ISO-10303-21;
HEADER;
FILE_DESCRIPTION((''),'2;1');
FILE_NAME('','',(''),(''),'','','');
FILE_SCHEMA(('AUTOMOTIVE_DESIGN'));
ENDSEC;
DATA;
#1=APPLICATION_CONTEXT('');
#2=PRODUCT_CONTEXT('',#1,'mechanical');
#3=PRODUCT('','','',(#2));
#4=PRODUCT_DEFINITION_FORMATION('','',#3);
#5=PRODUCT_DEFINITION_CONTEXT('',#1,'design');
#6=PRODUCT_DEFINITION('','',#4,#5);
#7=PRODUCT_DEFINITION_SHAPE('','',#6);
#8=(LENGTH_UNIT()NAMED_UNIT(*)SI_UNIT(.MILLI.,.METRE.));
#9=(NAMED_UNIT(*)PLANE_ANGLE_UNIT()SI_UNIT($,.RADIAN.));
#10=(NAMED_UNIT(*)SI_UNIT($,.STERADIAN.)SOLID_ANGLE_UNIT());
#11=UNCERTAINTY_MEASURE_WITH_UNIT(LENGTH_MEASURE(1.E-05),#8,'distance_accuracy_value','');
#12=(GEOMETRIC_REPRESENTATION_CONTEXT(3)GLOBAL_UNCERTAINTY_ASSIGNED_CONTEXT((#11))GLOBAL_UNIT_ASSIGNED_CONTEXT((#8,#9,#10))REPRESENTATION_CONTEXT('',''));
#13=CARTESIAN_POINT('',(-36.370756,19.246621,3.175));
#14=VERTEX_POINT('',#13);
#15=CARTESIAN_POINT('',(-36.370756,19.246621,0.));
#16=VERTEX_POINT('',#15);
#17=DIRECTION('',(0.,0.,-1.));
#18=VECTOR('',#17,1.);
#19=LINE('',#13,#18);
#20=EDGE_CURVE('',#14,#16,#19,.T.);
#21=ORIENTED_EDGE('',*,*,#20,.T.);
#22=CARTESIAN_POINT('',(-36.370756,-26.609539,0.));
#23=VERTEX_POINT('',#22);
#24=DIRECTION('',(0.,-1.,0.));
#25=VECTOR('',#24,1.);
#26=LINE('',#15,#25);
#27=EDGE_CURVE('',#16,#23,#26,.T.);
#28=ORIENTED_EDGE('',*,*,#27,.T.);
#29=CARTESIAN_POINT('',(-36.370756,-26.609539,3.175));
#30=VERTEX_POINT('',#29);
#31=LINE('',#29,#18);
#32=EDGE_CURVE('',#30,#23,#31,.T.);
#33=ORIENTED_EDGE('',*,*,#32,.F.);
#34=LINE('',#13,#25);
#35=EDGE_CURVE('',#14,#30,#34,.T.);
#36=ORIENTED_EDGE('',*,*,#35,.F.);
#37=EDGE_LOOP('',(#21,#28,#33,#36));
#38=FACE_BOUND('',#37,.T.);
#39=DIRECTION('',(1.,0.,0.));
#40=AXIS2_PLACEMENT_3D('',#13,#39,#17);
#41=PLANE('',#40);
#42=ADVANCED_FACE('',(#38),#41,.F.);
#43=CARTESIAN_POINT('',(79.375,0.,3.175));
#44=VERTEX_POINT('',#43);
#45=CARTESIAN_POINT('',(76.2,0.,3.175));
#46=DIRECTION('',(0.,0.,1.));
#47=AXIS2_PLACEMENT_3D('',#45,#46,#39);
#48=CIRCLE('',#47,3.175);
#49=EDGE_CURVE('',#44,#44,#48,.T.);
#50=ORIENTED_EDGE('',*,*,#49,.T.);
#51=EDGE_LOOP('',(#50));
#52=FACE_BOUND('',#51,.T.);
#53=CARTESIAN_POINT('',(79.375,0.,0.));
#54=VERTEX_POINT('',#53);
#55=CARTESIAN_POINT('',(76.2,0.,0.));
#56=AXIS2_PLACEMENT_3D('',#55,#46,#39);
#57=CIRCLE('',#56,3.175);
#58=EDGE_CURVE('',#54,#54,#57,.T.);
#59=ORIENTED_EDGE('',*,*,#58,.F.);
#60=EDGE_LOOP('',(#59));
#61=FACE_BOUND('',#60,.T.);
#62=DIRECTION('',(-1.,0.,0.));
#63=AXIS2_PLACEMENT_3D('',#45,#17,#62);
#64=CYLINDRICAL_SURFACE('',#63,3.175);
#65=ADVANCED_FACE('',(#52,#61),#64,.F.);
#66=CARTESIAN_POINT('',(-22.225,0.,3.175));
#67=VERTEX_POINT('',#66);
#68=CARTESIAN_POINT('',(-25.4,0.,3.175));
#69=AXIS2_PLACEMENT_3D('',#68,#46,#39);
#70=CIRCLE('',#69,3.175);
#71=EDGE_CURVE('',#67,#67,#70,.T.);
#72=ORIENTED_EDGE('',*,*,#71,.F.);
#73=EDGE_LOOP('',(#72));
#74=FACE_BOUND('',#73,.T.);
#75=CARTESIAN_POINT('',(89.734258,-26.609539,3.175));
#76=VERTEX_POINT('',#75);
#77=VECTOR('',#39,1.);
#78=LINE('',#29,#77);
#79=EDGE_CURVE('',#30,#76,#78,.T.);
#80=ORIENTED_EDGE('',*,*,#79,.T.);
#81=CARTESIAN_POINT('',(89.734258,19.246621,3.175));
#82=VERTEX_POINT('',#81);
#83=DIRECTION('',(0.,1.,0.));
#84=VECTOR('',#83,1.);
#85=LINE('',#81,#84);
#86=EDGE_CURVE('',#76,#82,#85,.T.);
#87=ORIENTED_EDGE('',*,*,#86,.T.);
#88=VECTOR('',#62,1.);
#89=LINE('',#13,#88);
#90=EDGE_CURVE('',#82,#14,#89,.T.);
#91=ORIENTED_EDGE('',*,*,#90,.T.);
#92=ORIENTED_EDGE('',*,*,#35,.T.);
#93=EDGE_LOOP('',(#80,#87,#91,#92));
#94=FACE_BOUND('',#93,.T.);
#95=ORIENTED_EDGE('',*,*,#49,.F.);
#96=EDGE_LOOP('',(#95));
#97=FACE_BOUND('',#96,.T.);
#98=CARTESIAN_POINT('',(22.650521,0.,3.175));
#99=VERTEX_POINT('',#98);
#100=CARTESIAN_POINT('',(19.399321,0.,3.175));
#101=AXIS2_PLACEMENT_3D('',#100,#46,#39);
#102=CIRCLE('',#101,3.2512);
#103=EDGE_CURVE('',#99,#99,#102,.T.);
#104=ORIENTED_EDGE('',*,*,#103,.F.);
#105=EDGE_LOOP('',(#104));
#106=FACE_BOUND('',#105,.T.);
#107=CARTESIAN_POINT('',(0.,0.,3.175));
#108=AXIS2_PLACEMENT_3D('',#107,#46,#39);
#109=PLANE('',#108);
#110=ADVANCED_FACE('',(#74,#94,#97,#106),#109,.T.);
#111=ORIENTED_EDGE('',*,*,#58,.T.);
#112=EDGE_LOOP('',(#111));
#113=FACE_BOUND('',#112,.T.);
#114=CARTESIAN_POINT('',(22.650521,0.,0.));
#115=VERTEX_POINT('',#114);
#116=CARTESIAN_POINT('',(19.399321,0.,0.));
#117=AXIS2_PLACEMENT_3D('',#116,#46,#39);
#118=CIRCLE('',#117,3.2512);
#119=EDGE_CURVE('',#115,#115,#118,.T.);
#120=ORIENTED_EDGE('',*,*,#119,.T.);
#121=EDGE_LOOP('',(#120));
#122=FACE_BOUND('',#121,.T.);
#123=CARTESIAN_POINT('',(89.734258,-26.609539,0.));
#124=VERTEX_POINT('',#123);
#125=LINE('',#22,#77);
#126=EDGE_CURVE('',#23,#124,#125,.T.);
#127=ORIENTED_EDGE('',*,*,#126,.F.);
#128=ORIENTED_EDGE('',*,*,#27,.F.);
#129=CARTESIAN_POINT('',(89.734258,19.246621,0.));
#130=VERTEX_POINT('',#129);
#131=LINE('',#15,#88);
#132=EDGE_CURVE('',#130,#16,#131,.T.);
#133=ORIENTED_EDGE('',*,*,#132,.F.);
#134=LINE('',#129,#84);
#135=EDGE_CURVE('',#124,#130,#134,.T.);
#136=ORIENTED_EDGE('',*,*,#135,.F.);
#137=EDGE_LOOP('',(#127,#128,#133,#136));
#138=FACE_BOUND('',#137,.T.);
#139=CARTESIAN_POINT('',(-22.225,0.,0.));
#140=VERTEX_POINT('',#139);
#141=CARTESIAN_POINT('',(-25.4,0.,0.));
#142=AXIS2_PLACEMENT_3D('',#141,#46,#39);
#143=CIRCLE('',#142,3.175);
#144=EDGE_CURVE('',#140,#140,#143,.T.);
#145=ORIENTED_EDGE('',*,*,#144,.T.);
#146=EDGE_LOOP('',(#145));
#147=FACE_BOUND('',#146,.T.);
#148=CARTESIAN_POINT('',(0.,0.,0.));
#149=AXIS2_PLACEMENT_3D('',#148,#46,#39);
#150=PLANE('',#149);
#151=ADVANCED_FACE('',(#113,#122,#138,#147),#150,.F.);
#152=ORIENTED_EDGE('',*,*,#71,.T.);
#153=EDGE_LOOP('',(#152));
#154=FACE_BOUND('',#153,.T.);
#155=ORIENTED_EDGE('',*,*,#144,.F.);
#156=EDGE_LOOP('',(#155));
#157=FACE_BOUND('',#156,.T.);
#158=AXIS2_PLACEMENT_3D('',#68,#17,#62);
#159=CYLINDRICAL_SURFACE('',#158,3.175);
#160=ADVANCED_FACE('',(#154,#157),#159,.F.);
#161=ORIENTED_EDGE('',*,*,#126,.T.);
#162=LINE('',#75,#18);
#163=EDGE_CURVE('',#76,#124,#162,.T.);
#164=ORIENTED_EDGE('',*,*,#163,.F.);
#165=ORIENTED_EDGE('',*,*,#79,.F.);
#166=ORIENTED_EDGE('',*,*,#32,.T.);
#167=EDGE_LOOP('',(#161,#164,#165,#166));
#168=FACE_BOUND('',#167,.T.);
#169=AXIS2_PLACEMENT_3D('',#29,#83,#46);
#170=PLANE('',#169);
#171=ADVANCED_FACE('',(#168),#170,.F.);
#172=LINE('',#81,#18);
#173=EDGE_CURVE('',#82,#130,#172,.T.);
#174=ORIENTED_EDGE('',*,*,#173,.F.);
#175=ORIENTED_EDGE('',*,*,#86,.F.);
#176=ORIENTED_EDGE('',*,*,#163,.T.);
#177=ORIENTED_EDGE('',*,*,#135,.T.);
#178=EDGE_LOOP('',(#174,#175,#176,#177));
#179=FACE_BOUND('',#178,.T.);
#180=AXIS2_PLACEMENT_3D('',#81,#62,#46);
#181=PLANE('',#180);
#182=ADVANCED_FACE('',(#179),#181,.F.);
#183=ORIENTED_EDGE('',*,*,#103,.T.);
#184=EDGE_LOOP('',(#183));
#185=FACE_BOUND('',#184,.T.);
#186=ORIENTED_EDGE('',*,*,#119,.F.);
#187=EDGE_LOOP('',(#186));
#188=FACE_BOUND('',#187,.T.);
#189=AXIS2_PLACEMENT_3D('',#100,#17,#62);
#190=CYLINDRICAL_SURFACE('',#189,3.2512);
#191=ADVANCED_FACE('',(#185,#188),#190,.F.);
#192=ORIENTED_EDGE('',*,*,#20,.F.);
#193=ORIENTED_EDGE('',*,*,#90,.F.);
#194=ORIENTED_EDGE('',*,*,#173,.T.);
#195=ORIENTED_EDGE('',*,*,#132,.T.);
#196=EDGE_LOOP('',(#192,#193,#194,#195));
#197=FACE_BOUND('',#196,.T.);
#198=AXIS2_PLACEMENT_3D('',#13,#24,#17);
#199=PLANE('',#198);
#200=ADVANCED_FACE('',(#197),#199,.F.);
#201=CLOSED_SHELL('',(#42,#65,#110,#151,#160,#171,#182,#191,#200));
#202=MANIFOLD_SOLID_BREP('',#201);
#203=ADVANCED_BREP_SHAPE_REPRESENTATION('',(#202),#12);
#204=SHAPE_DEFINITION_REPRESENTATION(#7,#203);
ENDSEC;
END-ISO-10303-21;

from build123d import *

# Parameters (mm, degrees)
SKETCH1_W           = 126.10501447
SKETCH1_H           = 45.85615954
SKETCH1_R           = 3.2512
SKETCH1_R_2         = 3.175
BOSS_EXTRUDE1_DEPTH = 3.175


with BuildPart() as part:
    # Sketch1 → Boss-Extrude1 (new body)
    with BuildSketch(Plane.XY):
        with Locations((26.681750969, -3.681459025)):
            Rectangle(SKETCH1_W, SKETCH1_H)
        with Locations((19.399321143, 0)):
            Circle(SKETCH1_R, mode=Mode.SUBTRACT)
        with Locations((76.2, 0)):
            Circle(SKETCH1_R_2, mode=Mode.SUBTRACT)
        with Locations((-25.4, 0)):
            Circle(SKETCH1_R_2, mode=Mode.SUBTRACT)
    extrude(amount=BOSS_EXTRUDE1_DEPTH)


solid = part.part
